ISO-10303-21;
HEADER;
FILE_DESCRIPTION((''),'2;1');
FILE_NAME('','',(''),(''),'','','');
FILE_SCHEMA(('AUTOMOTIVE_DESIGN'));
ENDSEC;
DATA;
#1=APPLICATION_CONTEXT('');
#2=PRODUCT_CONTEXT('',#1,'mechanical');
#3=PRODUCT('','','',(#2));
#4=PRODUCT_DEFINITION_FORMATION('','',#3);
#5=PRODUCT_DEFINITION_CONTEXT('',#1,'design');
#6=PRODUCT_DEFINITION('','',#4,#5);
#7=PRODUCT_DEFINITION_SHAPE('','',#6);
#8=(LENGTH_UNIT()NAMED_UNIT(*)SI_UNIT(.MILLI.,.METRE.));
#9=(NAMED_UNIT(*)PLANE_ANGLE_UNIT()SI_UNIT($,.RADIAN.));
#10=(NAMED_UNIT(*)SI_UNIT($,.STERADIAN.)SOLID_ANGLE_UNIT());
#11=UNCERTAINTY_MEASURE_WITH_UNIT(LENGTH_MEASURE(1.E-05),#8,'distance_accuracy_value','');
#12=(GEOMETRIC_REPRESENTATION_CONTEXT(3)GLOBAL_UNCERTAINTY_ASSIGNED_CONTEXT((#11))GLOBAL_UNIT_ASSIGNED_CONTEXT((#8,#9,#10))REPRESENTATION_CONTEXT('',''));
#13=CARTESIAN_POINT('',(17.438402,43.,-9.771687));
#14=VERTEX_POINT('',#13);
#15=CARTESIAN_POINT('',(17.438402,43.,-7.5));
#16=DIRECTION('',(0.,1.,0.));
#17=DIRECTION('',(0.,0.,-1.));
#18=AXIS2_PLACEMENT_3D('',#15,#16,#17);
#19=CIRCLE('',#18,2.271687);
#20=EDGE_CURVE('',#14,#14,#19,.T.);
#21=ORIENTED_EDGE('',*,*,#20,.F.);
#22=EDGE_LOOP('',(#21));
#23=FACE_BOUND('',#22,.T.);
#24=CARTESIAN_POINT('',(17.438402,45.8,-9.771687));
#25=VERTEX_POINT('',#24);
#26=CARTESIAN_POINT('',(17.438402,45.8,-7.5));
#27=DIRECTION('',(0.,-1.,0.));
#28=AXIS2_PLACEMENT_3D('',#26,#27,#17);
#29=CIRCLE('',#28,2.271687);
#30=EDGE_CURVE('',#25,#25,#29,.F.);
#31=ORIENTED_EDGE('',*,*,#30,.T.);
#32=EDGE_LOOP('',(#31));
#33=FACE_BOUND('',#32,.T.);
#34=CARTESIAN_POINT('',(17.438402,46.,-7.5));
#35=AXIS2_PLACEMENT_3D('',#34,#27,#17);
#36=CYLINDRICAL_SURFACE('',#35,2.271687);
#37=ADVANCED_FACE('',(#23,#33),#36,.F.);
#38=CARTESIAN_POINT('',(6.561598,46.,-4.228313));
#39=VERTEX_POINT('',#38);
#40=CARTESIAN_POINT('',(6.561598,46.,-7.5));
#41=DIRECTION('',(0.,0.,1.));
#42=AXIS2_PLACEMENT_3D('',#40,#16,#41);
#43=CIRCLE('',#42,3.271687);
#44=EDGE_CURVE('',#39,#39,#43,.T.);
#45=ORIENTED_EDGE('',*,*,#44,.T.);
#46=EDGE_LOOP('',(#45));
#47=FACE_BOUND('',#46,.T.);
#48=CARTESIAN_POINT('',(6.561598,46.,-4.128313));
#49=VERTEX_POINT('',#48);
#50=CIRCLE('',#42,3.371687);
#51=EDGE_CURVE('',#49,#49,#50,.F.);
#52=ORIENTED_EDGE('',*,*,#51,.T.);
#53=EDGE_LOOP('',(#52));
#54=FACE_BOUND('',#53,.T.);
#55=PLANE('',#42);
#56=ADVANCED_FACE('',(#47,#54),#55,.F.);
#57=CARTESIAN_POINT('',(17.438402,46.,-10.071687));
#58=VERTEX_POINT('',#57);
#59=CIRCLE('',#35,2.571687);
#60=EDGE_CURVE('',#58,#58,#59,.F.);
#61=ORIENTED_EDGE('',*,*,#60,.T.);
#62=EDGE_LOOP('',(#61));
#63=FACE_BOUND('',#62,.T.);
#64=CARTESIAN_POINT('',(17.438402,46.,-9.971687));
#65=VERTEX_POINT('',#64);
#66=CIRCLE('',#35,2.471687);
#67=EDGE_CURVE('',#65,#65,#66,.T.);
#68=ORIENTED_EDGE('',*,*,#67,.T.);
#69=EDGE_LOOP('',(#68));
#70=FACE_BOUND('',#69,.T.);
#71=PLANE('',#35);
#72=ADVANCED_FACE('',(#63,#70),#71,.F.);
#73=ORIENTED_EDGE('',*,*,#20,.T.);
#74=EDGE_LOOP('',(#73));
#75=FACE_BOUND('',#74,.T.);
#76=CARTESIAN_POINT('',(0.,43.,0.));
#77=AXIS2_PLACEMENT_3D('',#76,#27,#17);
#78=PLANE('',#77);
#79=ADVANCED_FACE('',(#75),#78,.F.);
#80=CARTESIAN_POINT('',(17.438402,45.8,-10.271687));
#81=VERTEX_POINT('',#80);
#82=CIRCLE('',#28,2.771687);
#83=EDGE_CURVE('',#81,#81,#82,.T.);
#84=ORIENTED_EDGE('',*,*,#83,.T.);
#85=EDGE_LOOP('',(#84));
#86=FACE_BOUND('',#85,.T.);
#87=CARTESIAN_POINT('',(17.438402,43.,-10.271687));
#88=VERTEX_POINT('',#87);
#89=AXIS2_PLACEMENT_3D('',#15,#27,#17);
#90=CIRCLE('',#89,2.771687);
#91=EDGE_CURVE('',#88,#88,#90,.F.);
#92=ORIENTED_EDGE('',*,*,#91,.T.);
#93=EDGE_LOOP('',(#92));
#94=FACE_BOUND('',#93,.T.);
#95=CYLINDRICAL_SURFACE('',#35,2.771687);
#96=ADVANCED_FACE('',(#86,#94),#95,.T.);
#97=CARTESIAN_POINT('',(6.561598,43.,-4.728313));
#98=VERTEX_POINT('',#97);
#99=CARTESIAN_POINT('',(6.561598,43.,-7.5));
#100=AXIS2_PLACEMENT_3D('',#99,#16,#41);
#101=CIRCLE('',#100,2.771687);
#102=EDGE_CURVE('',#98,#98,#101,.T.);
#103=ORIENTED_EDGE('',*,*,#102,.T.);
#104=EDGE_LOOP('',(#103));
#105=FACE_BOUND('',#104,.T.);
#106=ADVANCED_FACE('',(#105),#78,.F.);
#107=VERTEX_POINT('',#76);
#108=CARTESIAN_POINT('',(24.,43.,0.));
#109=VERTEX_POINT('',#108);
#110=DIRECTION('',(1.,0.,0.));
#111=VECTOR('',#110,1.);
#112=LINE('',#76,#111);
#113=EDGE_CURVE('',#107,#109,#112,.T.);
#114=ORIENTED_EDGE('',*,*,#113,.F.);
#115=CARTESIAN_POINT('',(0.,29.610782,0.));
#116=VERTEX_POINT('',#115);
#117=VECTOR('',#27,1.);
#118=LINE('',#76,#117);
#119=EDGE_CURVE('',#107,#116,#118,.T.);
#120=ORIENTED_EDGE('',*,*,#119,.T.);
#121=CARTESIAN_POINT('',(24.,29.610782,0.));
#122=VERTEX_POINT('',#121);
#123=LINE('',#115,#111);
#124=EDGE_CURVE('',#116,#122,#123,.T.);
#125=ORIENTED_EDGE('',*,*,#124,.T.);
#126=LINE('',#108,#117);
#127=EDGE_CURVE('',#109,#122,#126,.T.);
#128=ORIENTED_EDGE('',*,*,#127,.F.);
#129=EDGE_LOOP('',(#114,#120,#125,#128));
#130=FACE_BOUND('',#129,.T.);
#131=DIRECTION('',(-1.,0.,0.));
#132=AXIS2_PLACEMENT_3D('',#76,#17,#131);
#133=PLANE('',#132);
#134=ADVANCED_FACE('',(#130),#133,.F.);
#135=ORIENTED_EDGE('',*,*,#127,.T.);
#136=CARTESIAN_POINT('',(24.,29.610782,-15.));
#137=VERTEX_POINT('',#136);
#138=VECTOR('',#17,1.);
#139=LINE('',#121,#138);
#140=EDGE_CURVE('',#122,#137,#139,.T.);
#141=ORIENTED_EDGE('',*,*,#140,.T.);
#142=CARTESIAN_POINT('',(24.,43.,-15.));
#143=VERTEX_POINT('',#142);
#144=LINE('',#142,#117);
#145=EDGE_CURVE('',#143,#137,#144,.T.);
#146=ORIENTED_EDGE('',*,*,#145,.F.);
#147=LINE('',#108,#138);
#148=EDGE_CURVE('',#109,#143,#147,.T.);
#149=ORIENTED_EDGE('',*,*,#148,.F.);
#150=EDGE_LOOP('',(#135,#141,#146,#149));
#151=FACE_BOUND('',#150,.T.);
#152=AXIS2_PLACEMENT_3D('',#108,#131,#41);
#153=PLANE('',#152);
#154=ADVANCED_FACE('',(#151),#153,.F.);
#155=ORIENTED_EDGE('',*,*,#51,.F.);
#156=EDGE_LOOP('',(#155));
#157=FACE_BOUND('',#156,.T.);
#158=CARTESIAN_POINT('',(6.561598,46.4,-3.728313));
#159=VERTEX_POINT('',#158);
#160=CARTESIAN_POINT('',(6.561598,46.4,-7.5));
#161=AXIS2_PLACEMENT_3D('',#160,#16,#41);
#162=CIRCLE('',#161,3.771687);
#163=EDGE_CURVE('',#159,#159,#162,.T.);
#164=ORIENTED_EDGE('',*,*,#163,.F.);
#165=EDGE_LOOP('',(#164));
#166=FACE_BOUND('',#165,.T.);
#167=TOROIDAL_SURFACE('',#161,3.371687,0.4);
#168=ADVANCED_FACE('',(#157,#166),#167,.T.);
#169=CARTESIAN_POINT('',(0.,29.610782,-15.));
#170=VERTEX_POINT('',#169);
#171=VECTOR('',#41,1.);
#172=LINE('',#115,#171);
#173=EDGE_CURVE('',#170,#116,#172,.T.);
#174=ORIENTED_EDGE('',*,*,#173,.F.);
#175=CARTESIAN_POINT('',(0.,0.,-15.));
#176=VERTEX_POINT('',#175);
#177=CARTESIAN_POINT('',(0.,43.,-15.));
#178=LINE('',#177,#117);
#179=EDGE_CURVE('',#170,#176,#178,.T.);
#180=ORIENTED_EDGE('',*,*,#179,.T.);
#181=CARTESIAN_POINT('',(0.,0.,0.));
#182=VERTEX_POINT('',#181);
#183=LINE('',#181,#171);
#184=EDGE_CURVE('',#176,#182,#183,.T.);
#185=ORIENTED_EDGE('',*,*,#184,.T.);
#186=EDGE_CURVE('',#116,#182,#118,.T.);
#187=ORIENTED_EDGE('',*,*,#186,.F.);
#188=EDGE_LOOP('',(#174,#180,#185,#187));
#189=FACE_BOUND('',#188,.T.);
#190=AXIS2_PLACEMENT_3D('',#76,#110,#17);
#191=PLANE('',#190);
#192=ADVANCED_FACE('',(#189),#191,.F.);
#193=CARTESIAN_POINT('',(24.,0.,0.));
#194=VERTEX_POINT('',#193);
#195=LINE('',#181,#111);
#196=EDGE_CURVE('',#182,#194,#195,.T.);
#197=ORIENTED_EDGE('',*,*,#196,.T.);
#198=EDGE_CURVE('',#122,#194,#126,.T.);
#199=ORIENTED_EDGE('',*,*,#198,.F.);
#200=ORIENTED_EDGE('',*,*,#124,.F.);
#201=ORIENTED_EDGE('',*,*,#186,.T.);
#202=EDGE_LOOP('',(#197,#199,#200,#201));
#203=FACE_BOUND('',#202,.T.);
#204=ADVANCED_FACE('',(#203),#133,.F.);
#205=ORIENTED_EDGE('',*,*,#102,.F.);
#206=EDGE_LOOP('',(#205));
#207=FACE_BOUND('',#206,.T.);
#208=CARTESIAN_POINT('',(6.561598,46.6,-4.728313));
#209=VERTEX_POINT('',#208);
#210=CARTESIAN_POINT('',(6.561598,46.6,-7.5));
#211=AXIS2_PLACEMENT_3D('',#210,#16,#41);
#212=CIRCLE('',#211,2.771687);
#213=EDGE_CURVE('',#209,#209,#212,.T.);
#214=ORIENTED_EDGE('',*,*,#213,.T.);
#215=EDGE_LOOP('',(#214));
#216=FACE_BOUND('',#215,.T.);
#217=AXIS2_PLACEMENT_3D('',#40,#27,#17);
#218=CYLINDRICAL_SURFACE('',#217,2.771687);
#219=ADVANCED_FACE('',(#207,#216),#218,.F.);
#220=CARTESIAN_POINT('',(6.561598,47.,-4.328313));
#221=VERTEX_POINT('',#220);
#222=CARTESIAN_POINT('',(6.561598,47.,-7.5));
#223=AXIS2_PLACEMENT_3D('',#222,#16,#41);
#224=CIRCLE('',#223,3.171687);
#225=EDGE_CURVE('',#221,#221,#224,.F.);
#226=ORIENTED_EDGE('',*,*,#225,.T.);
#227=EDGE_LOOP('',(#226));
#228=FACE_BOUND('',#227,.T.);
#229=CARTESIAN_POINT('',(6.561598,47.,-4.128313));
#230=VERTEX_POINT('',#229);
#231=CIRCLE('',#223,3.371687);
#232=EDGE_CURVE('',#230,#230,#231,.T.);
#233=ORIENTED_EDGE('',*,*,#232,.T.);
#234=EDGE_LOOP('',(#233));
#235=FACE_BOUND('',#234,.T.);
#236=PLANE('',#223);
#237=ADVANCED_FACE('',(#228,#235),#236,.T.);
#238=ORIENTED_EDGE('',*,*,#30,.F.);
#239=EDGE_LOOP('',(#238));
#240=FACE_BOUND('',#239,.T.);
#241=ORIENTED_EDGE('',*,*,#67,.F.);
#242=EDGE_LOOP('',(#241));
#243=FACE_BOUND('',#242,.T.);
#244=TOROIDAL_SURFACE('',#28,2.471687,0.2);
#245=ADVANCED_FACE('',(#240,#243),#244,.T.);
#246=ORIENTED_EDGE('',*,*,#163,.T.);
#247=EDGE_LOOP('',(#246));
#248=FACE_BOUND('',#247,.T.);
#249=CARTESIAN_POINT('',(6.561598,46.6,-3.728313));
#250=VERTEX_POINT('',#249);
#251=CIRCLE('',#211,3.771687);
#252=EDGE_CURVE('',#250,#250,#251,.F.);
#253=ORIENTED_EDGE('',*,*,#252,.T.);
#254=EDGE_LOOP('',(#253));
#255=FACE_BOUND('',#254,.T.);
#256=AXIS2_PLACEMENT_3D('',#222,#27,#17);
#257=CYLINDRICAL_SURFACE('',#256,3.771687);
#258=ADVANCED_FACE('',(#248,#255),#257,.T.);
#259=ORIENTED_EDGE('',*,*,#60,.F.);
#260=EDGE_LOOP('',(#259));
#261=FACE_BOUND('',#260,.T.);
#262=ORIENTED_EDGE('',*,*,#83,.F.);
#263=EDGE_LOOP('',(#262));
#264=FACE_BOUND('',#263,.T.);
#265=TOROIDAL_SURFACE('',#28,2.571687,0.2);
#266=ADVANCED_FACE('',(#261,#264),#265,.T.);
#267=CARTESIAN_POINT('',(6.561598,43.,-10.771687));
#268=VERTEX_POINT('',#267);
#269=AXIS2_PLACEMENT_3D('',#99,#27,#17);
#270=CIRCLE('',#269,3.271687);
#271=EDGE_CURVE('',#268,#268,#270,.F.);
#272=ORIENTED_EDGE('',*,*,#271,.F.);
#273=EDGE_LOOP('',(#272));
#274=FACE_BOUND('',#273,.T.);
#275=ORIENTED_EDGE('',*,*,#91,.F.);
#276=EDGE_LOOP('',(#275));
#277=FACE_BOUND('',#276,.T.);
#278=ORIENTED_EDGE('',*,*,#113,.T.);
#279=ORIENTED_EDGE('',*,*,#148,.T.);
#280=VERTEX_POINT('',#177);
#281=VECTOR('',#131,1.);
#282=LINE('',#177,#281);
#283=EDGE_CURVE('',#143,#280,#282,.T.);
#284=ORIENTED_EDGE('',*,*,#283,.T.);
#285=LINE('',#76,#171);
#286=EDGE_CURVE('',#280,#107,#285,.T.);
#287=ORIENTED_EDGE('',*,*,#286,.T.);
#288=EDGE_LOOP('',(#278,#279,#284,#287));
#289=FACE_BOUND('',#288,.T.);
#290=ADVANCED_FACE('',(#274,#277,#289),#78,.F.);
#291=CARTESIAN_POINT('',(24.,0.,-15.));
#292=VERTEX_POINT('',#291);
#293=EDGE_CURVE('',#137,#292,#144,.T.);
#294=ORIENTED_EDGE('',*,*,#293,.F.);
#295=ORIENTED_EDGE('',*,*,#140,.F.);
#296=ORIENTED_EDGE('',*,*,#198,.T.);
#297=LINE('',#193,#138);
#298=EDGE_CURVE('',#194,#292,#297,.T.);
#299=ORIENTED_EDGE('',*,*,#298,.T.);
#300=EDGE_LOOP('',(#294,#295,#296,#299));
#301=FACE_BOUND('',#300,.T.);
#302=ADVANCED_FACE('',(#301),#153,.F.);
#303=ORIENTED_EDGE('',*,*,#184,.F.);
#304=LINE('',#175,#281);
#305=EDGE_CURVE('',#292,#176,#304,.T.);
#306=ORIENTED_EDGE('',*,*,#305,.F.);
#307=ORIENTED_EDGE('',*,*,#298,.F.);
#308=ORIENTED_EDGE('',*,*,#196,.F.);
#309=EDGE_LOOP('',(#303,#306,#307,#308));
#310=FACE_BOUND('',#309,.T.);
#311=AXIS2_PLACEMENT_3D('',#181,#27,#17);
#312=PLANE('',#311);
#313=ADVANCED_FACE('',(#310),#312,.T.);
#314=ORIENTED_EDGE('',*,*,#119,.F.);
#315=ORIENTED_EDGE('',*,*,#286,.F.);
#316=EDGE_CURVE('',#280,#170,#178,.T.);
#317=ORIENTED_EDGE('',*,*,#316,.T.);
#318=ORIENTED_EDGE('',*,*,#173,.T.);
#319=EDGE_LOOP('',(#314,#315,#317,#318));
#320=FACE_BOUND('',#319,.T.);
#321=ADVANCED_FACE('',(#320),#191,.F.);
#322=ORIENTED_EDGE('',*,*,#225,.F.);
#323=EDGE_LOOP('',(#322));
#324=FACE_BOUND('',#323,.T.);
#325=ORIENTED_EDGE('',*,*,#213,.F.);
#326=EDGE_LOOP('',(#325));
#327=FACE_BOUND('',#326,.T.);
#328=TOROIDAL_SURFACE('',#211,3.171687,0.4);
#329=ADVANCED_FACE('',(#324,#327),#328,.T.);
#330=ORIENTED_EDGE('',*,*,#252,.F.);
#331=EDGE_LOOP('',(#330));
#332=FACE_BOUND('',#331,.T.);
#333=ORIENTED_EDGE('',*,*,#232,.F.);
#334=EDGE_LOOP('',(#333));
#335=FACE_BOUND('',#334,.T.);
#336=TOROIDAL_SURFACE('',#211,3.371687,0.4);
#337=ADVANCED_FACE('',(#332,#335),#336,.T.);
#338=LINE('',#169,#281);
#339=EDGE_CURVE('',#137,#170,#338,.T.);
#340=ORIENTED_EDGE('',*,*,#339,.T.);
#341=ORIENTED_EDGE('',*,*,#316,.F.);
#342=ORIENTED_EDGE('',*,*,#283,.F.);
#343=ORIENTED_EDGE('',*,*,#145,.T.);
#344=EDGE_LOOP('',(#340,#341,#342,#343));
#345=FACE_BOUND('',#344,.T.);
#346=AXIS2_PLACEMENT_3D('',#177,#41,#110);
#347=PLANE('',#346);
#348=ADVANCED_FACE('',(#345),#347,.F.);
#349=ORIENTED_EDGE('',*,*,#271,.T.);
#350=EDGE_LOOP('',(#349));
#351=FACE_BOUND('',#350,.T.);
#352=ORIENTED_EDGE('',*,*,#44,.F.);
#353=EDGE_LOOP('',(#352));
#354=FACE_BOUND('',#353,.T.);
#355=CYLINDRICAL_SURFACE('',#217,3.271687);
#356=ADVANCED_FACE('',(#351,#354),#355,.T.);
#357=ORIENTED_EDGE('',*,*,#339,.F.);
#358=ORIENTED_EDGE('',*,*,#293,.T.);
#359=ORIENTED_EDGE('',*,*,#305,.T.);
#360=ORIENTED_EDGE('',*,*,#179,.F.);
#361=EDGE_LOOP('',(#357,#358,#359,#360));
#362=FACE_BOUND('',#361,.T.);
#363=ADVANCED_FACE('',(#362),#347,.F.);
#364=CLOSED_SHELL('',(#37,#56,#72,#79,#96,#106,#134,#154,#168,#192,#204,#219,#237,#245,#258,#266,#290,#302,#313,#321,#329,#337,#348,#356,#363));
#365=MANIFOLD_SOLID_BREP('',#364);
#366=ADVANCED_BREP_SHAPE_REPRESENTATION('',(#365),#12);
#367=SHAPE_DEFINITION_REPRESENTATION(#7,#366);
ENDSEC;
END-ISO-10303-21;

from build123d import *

# Parameters (mm, degrees)
CROQUIS1_W              = 24
CROQUIS1_H              = 15
SALIENTE_EXTRUIR1_DEPTH = 43
CROQUIS2_R              = 2.771687151
CROQUIS2_R_2            = 2.271687151
CROQUIS2_R_3            = 3.271687151
SALIENTE_EXTRUIR2_DEPTH = 3
CROQUIS3_R              = 3.771687151
CROQUIS3_R_2            = 2.771687151
SALIENTE_EXTRUIR3_DEPTH = 1
REDONDEO1_R             = 0.4
REDONDEO2_R             = 0.2


with BuildPart() as part:
    # Croquis1 → Saliente-Extruir1 (new body)
    with BuildSketch(Plane(origin=(0, 0, 0), x_dir=(1, 0, 0), z_dir=(0, 1, 0))):
        with Locations((12, 7.5)):
            Rectangle(CROQUIS1_W, CROQUIS1_H)
    extrude(amount=SALIENTE_EXTRUIR1_DEPTH)

    # Croquis2 → Saliente-Extruir2 (add)
    # profile 1 of 2: a face of its own
    with BuildSketch(Plane(origin=(0, 43, 0), x_dir=(1, 0, 0), z_dir=(0, 1, 0))):
        with Locations(Location((17.438401582, 7.5, 0), (0, 0, 90))):
            Circle(CROQUIS2_R)
        with Locations(Location((17.438401582, 7.5, 0), (0, 0, 90))):
            Circle(CROQUIS2_R_2, mode=Mode.SUBTRACT)
    # profile 2 of 2: a face of its own
    with BuildSketch(Plane(origin=(0, 43, 0), x_dir=(1, 0, 0), z_dir=(0, 1, 0))):
        with Locations(Location((6.561598418, 7.5, 0), (0, 0, 90))):
            Circle(CROQUIS2_R_3)
        with Locations(Location((6.561598418, 7.5, 0), (0, 0, 270))):
            Circle(CROQUIS2_R, mode=Mode.SUBTRACT)
    extrude(amount=SALIENTE_EXTRUIR2_DEPTH)

    # Croquis3 → Saliente-Extruir3 (add)
    with BuildSketch(Plane(origin=(0, 46, 0), x_dir=(1, 0, 0), z_dir=(0, 1, 0))):
        with Locations(Location((6.561598418, 7.5, 0), (0, 0, 270))):
            Circle(CROQUIS3_R)
        with Locations(Location((6.561598418, 7.5, 0), (0, 0, 270))):
            Circle(CROQUIS3_R_2, mode=Mode.SUBTRACT)
    extrude(amount=SALIENTE_EXTRUIR3_DEPTH)

    # Redondeo1
    redondeo1_edges = [part.edges().sort_by_distance(p)[0] for p in [
        (6.561598418, 47, -11.271687151),
        (6.561598418, 46, -11.271687151),
        (6.561598418, 47, -10.271687151),
    ]]
    fillet(redondeo1_edges, radius=REDONDEO1_R)

    # Redondeo2
    redondeo2_edges = [part.edges().sort_by_distance(p)[0] for p in [
        (17.438401582, 46, -4.728312849),
        (17.438401582, 46, -5.228312849),
    ]]
    fillet(redondeo2_edges, radius=REDONDEO2_R)


solid = part.part
